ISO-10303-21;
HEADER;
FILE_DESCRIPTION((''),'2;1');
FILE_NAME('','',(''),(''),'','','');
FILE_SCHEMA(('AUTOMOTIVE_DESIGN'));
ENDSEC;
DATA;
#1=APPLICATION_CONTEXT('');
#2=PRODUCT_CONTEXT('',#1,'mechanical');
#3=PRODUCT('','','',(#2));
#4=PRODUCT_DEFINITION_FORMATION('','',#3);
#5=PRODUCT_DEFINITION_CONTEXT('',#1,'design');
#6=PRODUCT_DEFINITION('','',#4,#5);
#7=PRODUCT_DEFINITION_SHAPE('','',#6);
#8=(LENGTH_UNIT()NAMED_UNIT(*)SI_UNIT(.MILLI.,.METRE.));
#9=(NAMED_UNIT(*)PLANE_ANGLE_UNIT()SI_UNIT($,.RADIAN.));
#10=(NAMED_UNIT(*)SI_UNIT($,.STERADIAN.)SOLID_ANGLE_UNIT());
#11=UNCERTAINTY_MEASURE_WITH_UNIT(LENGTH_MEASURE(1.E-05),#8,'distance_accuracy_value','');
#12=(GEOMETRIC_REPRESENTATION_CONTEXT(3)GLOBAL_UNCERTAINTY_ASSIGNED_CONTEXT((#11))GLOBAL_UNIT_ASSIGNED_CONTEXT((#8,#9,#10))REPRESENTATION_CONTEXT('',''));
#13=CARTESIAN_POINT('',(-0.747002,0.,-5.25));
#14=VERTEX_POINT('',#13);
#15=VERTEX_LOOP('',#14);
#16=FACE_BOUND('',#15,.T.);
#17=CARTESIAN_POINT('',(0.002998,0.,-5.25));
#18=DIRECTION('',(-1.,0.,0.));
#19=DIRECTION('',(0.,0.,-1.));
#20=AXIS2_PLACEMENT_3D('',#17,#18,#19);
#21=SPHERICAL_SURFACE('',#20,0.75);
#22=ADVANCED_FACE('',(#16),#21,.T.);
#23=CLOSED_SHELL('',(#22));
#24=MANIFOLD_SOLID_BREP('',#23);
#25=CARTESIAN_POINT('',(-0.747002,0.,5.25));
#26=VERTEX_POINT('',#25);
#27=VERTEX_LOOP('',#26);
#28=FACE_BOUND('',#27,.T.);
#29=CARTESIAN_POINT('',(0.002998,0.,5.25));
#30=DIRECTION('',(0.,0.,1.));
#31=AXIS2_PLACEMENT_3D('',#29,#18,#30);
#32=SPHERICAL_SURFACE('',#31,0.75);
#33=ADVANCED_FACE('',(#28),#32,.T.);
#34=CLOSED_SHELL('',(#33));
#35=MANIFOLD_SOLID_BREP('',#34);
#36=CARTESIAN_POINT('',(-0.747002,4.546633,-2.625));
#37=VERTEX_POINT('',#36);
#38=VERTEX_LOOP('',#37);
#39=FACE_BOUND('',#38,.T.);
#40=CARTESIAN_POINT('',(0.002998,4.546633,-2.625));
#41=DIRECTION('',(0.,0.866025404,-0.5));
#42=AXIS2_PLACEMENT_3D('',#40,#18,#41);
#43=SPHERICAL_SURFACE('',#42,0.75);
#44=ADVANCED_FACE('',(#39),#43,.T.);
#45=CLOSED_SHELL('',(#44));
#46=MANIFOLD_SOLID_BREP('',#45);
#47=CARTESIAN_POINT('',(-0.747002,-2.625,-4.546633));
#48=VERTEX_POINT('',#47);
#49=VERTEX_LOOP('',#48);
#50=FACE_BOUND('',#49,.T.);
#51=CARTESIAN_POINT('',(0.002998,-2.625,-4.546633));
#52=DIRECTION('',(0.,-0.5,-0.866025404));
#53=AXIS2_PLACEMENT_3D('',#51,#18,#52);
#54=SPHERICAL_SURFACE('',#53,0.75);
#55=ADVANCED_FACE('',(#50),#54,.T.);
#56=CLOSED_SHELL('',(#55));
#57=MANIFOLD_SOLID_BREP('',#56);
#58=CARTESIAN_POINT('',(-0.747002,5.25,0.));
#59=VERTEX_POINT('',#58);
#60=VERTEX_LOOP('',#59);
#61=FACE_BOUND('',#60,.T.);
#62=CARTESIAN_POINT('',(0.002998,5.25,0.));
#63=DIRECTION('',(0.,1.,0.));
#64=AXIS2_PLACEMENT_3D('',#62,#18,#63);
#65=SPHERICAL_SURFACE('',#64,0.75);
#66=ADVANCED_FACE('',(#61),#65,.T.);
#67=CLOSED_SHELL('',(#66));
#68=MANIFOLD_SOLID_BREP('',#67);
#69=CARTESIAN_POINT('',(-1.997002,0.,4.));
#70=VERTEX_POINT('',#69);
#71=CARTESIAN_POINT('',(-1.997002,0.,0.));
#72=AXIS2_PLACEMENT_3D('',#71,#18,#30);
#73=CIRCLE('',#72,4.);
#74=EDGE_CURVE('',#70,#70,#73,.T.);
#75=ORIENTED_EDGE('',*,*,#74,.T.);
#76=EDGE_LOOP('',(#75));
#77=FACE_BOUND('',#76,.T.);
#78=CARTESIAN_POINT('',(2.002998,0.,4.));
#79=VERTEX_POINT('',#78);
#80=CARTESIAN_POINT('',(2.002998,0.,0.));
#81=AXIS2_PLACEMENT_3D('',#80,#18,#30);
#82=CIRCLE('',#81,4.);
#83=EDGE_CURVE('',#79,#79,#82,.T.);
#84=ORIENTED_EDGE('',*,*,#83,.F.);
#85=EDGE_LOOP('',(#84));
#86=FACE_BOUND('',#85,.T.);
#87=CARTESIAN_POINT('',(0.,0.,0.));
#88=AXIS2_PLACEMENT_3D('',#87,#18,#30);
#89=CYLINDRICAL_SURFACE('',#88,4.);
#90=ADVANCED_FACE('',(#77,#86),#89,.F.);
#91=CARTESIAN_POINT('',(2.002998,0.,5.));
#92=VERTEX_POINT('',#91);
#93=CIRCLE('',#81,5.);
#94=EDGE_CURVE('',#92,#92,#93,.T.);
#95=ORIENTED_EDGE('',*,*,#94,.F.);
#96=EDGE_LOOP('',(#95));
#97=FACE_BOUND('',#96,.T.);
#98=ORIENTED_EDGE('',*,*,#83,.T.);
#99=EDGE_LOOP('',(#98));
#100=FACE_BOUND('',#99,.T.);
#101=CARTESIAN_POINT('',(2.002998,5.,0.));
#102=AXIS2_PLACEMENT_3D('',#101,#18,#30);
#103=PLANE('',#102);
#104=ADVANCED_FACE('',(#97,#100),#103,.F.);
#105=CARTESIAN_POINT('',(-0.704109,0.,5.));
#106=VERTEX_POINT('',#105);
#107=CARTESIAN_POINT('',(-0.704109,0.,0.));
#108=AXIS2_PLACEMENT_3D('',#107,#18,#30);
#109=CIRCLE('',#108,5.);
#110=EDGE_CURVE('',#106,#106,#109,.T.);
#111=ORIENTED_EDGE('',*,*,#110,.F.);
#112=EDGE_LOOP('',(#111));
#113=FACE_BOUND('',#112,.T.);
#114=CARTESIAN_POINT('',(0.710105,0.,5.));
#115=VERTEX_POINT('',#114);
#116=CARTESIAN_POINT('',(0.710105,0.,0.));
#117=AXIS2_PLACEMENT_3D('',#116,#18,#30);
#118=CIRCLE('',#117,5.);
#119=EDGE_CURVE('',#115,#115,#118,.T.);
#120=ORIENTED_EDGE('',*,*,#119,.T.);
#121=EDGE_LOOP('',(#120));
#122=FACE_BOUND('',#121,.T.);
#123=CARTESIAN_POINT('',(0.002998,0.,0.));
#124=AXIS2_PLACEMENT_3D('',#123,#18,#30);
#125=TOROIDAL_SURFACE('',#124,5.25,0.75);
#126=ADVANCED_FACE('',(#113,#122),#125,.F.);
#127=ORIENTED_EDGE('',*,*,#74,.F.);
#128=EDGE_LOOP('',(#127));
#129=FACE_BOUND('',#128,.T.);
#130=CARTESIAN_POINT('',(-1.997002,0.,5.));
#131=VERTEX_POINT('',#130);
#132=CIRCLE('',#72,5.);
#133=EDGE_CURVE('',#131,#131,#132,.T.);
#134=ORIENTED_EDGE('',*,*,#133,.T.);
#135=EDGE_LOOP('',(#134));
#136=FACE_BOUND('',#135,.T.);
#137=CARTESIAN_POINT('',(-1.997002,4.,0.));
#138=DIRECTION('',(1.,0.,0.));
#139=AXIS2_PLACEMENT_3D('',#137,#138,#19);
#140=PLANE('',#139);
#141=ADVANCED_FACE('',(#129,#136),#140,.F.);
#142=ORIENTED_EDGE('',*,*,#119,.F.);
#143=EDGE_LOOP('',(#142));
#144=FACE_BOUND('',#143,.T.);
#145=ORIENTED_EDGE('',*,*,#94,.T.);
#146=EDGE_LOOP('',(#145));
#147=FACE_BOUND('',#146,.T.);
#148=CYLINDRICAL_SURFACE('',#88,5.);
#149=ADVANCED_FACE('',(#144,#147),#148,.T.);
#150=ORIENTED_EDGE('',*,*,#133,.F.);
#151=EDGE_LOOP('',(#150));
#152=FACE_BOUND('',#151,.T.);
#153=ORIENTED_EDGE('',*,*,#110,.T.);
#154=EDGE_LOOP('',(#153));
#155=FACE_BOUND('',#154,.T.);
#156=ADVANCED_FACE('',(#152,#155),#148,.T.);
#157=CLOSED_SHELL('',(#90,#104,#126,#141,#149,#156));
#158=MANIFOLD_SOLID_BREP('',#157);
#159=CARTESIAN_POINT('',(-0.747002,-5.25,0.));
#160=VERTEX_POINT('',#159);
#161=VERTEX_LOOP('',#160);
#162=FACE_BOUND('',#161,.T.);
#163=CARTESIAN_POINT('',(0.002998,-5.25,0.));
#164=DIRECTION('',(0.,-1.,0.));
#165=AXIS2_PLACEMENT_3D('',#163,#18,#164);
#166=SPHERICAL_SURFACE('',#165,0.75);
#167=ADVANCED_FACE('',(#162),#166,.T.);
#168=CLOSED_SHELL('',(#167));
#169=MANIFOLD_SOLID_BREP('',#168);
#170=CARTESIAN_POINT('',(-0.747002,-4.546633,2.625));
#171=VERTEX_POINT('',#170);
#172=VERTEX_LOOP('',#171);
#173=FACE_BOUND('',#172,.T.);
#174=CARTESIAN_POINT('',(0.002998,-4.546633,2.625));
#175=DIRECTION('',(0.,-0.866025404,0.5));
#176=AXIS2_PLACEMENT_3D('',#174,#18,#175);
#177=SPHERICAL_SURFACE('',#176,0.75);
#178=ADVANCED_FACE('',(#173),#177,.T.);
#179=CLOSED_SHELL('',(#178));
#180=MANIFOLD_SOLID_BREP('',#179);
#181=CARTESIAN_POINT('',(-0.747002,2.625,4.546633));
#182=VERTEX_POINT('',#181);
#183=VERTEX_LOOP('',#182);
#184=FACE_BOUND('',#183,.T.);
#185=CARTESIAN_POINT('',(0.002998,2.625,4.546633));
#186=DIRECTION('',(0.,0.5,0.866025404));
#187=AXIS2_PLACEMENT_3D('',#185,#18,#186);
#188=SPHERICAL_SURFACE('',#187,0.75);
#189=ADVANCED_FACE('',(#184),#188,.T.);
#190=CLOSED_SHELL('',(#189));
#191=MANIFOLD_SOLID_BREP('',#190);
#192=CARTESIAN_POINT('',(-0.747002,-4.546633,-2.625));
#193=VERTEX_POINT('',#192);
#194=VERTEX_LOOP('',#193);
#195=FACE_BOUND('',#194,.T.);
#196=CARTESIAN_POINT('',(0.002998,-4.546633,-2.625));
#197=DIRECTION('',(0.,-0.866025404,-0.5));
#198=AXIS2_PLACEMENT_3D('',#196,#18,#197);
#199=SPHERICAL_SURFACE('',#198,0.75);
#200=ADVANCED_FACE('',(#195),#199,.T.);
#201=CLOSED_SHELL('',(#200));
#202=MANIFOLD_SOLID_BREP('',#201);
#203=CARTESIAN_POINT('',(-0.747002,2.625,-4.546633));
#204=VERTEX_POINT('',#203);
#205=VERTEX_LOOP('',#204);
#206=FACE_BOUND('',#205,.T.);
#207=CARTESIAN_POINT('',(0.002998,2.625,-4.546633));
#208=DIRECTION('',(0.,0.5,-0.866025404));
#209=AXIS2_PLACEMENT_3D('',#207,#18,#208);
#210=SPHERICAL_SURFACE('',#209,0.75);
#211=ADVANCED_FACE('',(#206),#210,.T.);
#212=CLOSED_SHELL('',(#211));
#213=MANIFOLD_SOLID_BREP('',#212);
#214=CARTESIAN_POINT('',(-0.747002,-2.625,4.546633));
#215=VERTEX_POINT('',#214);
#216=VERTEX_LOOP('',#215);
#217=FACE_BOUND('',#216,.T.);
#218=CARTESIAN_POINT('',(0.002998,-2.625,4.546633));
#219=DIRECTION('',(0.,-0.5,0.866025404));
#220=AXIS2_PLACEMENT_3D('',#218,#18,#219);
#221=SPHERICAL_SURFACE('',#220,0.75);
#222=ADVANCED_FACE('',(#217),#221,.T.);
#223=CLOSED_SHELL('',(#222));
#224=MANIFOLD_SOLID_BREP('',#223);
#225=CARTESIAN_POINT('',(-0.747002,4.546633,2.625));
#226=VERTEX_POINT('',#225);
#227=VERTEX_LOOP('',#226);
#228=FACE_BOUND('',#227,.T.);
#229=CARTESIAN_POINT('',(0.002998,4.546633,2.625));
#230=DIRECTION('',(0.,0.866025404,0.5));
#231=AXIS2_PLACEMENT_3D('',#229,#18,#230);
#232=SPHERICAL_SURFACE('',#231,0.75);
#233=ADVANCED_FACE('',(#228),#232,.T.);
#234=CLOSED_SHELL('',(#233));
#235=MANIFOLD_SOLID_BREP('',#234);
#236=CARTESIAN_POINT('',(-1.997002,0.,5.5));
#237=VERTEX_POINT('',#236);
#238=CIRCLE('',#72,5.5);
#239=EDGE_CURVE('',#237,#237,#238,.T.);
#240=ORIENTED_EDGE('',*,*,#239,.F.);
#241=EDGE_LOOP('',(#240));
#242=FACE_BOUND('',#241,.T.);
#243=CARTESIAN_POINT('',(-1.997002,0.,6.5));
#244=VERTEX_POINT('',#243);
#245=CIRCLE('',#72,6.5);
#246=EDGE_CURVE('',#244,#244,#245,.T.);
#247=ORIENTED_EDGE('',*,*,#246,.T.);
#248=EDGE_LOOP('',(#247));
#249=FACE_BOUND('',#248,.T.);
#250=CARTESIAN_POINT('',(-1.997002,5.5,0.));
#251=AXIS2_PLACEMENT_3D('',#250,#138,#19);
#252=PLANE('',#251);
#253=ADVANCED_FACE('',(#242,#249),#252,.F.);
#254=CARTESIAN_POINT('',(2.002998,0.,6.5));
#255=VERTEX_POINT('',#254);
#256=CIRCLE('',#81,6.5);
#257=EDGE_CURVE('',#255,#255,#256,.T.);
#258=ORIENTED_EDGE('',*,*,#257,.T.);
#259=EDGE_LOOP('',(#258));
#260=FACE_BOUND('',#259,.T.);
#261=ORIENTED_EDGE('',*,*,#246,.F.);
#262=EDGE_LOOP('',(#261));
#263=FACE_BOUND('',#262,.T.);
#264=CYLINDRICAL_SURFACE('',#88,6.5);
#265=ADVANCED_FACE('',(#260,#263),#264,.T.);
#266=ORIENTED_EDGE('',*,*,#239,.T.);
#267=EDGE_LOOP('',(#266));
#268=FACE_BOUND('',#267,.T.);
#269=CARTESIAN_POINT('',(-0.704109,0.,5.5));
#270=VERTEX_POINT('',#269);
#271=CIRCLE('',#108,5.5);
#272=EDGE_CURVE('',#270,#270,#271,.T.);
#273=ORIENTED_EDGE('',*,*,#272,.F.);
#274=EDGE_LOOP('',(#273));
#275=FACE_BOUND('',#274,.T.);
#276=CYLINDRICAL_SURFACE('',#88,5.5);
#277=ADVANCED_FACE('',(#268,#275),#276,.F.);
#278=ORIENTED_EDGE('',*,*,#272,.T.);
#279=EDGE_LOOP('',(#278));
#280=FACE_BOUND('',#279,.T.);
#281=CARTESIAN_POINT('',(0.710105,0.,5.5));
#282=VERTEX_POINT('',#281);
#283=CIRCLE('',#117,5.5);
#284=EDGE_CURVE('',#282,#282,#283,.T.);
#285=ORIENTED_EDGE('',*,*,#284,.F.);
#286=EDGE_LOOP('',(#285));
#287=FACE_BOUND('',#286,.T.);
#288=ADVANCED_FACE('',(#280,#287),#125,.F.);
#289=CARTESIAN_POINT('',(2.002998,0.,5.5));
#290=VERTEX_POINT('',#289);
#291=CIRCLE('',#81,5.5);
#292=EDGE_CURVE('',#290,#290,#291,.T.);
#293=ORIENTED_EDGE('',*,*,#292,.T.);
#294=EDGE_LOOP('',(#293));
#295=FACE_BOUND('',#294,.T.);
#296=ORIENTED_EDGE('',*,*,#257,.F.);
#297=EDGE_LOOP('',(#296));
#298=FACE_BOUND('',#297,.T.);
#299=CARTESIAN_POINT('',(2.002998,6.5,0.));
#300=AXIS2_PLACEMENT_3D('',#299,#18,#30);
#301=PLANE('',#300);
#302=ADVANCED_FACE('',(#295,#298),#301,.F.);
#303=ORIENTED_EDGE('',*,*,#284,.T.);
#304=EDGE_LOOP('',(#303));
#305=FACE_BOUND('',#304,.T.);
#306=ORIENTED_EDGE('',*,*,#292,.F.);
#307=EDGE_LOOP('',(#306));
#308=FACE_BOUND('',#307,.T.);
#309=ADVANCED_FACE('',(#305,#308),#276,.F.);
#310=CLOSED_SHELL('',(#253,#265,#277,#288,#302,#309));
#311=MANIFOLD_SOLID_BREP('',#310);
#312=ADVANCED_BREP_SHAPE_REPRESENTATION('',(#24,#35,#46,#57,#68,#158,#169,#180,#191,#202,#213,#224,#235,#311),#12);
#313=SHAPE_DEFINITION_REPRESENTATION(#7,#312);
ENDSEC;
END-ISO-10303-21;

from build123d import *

# Parameters (mm, degrees)
CIRPATTERN6_COUNT = 12


with BuildPart() as part:
    # Sketch2 → Revolve3 (revolve)
    with BuildSketch(Plane.XY, mode=Mode.PRIVATE) as revolve3_sk:
        with BuildLine():
            Line((0.002997878, 6.5), (2.002997878, 6.5))
            Line((2.002997878, 6.5), (2.002997878, 5.5))
            Line((2.002997878, 5.5), (0.710104659, 5.5))
            ThreePointArc((0.710104659, 5.5), (0.002997878, 6), (-0.704108904, 5.5))
            Line((-0.704108904, 5.5), (-1.997002122, 5.5))
            Line((-1.997002122, 5.5), (-1.997002122, 6.5))
            Line((-1.997002122, 6.5), (0.002997878, 6.5))
        make_face()
        with BuildLine():
            Line((0.710104659, 5), (2.002997878, 5))
            Line((2.002997878, 5), (2.002997878, 4))
            Line((2.002997878, 4), (0.002997878, 4))
            Line((0.002997878, 4), (-1.997002122, 4))
            Line((-1.997002122, 4), (-1.997002122, 5))
            Line((-1.997002122, 5), (-0.704108904, 5))
            ThreePointArc((-0.704108904, 5), (0.002997878, 4.5), (0.710104659, 5))
        make_face()
    revolve(revolve3_sk.sketch.rotate(Axis((0, 0, 0), (1, 0, 0)), 90), axis=Axis((0, 0, 0), (1, 0, 0)))


with BuildPart() as body_2:
    # Sketch4 → Revolve4 (revolve)
    with BuildSketch(Plane.XY):
        with BuildLine():
            Line((-0.747002122, 5.25), (0.752997878, 5.25))
            ThreePointArc((0.752997878, 5.25), (0.002997878, 6), (-0.747002122, 5.25))
        make_face()
    revolve(axis=Axis((-0.747002122, 5.25, 0), (1, 0, 0)))


with BuildPart() as cirpattern6_1:
    # CirPattern6: pattern copy
    add(body_2.part.rotate(Axis((0, 0, 0), (1, 0, 0)), 1 * 360 / CIRPATTERN6_COUNT))


with BuildPart() as cirpattern6_2:
    # CirPattern6: pattern copy
    add(body_2.part.rotate(Axis((0, 0, 0), (1, 0, 0)), 2 * 360 / CIRPATTERN6_COUNT))


with BuildPart() as cirpattern6_3:
    # CirPattern6: pattern copy
    add(body_2.part.rotate(Axis((0, 0, 0), (1, 0, 0)), 3 * 360 / CIRPATTERN6_COUNT))


with BuildPart() as cirpattern6_4:
    # CirPattern6: pattern copy
    add(body_2.part.rotate(Axis((0, 0, 0), (1, 0, 0)), 4 * 360 / CIRPATTERN6_COUNT))


with BuildPart() as cirpattern6_5:
    # CirPattern6: pattern copy
    add(body_2.part.rotate(Axis((0, 0, 0), (1, 0, 0)), 5 * 360 / CIRPATTERN6_COUNT))


with BuildPart() as cirpattern6_6:
    # CirPattern6: pattern copy
    add(body_2.part.rotate(Axis((0, 0, 0), (1, 0, 0)), 6 * 360 / CIRPATTERN6_COUNT))


with BuildPart() as cirpattern6_7:
    # CirPattern6: pattern copy
    add(body_2.part.rotate(Axis((0, 0, 0), (1, 0, 0)), 7 * 360 / CIRPATTERN6_COUNT))


with BuildPart() as cirpattern6_8:
    # CirPattern6: pattern copy
    add(body_2.part.rotate(Axis((0, 0, 0), (1, 0, 0)), 8 * 360 / CIRPATTERN6_COUNT))


with BuildPart() as cirpattern6_9:
    # CirPattern6: pattern copy
    add(body_2.part.rotate(Axis((0, 0, 0), (1, 0, 0)), 9 * 360 / CIRPATTERN6_COUNT))


with BuildPart() as cirpattern6_10:
    # CirPattern6: pattern copy
    add(body_2.part.rotate(Axis((0, 0, 0), (1, 0, 0)), 10 * 360 / CIRPATTERN6_COUNT))


with BuildPart() as cirpattern6_11:
    # CirPattern6: pattern copy
    add(body_2.part.rotate(Axis((0, 0, 0), (1, 0, 0)), 11 * 360 / CIRPATTERN6_COUNT))


solid = Compound([part.part, body_2.part, cirpattern6_1.part, cirpattern6_2.part, cirpattern6_3.part, cirpattern6_4.part, cirpattern6_5.part, cirpattern6_6.part, cirpattern6_7.part, cirpattern6_8.part, cirpattern6_9.part, cirpattern6_10.part, cirpattern6_11.part])
